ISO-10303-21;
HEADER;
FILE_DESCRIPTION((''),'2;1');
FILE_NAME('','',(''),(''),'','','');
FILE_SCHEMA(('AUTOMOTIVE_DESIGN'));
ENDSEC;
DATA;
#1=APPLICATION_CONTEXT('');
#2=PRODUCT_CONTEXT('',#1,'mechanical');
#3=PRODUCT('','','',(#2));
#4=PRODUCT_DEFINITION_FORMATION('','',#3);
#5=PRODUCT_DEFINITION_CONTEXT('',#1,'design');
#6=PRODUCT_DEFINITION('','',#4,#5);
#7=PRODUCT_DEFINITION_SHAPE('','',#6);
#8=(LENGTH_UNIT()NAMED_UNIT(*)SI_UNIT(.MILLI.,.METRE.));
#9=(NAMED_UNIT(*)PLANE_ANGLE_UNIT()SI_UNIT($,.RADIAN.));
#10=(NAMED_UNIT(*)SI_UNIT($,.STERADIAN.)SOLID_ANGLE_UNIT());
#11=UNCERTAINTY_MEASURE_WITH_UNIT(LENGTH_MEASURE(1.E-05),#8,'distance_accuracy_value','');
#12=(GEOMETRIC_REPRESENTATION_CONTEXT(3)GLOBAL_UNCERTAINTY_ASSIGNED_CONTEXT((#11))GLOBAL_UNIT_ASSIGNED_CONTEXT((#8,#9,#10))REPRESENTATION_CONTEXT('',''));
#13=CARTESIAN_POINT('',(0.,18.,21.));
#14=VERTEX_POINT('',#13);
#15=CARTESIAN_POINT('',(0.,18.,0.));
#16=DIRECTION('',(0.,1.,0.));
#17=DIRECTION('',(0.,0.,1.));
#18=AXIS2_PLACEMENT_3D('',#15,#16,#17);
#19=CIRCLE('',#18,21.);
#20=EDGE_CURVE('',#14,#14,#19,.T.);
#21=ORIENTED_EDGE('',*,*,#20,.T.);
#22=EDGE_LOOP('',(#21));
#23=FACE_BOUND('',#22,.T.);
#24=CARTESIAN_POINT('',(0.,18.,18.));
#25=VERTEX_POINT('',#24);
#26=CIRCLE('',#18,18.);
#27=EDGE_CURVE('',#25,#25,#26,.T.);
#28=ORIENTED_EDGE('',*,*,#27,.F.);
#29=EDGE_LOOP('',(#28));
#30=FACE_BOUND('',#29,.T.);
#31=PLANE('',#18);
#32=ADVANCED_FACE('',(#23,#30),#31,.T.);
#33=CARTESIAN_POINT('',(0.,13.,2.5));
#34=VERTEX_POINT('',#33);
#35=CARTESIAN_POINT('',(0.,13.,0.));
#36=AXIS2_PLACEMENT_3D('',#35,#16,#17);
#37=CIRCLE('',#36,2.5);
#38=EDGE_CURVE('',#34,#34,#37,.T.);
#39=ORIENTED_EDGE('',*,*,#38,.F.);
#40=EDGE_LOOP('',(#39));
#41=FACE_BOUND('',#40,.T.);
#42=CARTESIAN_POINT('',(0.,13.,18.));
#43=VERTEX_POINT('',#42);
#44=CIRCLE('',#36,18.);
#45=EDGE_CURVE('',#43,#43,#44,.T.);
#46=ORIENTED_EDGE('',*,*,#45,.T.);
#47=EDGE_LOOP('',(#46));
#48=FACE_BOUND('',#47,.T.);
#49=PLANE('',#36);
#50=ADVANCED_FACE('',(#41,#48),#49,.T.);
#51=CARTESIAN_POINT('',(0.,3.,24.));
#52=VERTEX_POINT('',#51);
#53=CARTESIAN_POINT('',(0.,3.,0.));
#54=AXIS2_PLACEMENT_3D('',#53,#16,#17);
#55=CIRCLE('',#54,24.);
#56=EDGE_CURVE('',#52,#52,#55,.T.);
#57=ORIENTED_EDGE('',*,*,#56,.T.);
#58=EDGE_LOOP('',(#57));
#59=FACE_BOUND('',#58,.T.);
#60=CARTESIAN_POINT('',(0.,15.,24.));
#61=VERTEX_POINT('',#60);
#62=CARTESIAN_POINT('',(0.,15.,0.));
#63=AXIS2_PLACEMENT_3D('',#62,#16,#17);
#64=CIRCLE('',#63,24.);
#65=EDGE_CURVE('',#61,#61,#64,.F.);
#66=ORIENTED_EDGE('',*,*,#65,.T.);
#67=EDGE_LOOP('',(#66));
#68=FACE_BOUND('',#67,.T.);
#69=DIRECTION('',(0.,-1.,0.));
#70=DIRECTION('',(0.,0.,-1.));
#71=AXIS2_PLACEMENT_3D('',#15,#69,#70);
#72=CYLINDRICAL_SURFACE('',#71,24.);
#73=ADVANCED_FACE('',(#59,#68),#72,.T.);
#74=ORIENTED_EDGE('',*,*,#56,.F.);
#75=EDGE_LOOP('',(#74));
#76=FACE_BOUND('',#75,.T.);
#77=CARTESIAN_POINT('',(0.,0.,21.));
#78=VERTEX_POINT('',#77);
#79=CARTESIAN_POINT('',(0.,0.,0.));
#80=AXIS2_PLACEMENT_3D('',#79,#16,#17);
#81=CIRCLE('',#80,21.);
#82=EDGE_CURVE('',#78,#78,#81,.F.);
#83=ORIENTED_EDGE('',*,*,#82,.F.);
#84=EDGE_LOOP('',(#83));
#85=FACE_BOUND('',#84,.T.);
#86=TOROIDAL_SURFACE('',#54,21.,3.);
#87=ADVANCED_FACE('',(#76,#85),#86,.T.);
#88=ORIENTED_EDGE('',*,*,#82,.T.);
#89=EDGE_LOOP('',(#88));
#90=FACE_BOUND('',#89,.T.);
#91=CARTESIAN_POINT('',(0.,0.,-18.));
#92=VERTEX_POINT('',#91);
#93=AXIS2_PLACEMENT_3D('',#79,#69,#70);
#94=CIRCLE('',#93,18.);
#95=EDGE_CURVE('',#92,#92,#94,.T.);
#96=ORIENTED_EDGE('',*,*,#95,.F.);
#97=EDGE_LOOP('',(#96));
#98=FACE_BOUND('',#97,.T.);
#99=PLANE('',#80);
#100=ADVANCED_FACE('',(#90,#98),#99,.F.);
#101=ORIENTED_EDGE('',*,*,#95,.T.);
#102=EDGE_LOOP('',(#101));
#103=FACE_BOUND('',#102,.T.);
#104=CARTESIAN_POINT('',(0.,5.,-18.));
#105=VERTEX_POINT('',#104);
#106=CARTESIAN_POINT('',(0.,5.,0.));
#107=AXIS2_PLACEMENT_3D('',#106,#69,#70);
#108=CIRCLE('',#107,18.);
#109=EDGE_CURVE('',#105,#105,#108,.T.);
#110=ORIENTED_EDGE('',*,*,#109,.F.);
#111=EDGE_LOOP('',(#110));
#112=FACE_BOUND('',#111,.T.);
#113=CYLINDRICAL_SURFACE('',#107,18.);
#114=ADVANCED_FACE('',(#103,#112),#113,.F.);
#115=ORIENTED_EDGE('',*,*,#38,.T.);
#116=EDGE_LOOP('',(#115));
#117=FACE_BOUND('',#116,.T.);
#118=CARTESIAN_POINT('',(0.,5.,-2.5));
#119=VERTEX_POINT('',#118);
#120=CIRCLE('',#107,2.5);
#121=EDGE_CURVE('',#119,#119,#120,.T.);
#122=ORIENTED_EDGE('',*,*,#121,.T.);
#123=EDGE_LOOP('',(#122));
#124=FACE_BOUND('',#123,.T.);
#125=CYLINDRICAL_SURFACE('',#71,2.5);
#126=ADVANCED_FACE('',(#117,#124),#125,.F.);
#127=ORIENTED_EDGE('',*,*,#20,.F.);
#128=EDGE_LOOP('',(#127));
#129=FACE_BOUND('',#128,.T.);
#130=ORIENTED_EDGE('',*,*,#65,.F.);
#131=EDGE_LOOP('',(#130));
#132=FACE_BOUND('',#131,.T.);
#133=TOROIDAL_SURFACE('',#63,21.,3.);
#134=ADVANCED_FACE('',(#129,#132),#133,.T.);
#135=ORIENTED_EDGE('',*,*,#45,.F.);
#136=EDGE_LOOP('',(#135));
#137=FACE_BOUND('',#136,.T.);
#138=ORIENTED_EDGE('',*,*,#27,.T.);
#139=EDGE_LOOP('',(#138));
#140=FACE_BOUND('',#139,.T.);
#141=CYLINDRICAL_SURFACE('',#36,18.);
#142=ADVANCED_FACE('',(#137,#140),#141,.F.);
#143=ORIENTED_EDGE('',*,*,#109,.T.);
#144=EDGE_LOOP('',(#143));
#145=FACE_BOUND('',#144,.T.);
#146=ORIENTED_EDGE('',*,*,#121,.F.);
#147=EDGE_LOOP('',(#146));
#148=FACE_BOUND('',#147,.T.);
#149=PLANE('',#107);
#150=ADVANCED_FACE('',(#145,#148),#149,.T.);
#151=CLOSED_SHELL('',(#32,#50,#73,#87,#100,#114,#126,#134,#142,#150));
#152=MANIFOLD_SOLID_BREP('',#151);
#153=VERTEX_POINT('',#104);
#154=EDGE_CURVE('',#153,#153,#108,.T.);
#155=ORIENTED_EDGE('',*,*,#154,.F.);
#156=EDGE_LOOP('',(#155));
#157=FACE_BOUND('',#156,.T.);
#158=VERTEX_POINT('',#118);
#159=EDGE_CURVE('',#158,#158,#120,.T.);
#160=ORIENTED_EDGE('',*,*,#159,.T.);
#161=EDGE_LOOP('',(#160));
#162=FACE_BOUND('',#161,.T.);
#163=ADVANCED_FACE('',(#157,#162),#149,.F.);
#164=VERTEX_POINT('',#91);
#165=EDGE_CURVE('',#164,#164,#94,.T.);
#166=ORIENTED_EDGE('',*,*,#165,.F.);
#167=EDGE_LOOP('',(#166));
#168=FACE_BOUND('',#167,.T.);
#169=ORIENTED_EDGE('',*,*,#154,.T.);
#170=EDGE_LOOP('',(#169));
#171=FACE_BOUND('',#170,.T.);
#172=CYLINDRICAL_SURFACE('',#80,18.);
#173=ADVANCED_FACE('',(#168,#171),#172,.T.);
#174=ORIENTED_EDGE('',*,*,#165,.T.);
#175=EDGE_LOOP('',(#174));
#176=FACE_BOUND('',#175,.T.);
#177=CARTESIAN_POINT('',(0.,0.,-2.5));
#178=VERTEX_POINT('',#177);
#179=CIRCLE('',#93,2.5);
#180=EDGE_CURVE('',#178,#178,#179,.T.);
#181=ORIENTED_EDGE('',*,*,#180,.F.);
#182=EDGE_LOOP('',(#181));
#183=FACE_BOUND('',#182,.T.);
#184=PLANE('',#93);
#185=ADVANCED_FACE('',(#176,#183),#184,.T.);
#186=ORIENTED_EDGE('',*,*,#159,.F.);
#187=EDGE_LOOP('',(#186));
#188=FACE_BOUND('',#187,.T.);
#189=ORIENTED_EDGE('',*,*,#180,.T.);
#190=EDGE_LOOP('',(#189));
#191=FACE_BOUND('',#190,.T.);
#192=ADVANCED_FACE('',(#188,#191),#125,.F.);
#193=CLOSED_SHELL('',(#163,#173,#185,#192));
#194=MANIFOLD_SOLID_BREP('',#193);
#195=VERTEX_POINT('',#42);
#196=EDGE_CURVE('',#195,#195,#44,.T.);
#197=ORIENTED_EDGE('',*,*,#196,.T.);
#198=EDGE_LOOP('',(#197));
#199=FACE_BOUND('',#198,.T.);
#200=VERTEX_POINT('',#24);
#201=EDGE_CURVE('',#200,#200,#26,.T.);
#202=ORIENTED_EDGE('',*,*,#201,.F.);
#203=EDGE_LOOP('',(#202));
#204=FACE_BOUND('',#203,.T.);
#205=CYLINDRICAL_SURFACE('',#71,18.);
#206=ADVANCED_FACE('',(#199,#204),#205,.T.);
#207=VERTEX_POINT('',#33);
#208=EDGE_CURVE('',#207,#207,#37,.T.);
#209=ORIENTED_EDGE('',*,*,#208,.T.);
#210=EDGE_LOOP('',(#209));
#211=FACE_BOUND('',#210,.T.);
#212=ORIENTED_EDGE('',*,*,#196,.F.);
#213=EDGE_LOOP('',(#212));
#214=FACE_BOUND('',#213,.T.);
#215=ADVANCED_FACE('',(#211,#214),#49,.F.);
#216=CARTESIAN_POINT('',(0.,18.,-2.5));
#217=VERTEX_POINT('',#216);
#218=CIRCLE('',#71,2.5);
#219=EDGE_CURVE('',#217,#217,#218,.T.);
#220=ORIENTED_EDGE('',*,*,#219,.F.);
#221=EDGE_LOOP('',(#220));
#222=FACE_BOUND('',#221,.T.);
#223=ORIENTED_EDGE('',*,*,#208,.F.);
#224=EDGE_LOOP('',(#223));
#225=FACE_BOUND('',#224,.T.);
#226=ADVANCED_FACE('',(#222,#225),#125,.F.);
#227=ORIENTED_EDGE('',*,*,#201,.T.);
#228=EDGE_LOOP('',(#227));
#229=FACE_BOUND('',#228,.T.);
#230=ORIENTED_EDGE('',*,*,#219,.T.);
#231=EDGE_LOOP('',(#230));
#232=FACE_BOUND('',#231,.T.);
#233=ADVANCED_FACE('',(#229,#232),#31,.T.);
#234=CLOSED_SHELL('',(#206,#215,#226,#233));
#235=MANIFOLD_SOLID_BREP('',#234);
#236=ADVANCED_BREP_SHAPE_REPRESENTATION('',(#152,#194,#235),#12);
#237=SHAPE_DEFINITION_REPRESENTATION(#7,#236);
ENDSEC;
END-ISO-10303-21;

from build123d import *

# Parameters (mm, degrees)
SKETCH1_R           = 24
BOSS_EXTRUDE1_DEPTH = 18
SKETCH2_R           = 18
CUT_EXTRUDE1_DEPTH  = 5
SKETCH3_R           = 18
CUT_EXTRUDE2_DEPTH  = 5
SKETCH4_R           = 18
BOSS_EXTRUDE2_DEPTH = 5
SKETCH5_R           = 18
BOSS_EXTRUDE3_DEPTH = 5
SKETCH6_R           = 2.5
CUT_EXTRUDE3_DEPTH  = 19
FILLET1_R           = 3


with BuildPart() as part:
    # Sketch1 → Boss-Extrude1 (new body)
    with BuildSketch(Plane(origin=(0, 0, 0), x_dir=(1, 0, 0), z_dir=(0, 1, 0))):
        Circle(SKETCH1_R)
    extrude(amount=BOSS_EXTRUDE1_DEPTH)

    # Sketch2 → Cut-Extrude1 (cut)
    with BuildSketch(Plane(origin=(0, 18, 0), x_dir=(1, 0, 0), z_dir=(0, 1, 0))):
        Circle(SKETCH2_R)
    extrude(amount=-CUT_EXTRUDE1_DEPTH, mode=Mode.SUBTRACT)

    # Sketch3 → Cut-Extrude2 (cut)
    with BuildSketch(Plane.XZ):
        Circle(SKETCH3_R)
    extrude(amount=-CUT_EXTRUDE2_DEPTH, mode=Mode.SUBTRACT)


with BuildPart() as body_2:
    # Sketch4 → Boss-Extrude2 (new body)
    with BuildSketch(Plane(origin=(0, 13, 0), x_dir=(1, 0, 0), z_dir=(0, 1, 0))):
        Circle(SKETCH4_R)
    extrude(amount=BOSS_EXTRUDE2_DEPTH)


with BuildPart() as body_3:
    # Sketch5 → Boss-Extrude3 (new body)
    with BuildSketch(Plane.XZ.offset(-5)):
        Circle(SKETCH5_R)
    extrude(amount=BOSS_EXTRUDE3_DEPTH)


with BuildPart() as cut_extrude3_tool:
    # Sketch6 → Cut-Extrude3 (new body, through all)
    with BuildSketch(Plane(origin=(0, 0, 0), x_dir=(-1, 0, 0), z_dir=(0, -1, 0))):
        Circle(SKETCH6_R)
    extrude(amount=-CUT_EXTRUDE3_DEPTH)


with BuildPart() as part_1:
    add(part.part)

    # Cut-Extrude3: cut by cut_extrude3_tool
    add(cut_extrude3_tool.part, mode=Mode.SUBTRACT)

    # Fillet1
    fillet1_edges = [part_1.edges().sort_by_distance(p)[0] for p in [
        (-24, 0, 0),
        (-24, 18, 0),
    ]]
    fillet(fillet1_edges, radius=FILLET1_R)


with BuildPart() as body_2_1:
    add(body_2.part)

    # Cut-Extrude3: cut by cut_extrude3_tool
    add(cut_extrude3_tool.part, mode=Mode.SUBTRACT)


with BuildPart() as body_3_1:
    add(body_3.part)

    # Cut-Extrude3: cut by cut_extrude3_tool
    add(cut_extrude3_tool.part, mode=Mode.SUBTRACT)


solid = Compound([part_1.part, body_2_1.part, body_3_1.part])
